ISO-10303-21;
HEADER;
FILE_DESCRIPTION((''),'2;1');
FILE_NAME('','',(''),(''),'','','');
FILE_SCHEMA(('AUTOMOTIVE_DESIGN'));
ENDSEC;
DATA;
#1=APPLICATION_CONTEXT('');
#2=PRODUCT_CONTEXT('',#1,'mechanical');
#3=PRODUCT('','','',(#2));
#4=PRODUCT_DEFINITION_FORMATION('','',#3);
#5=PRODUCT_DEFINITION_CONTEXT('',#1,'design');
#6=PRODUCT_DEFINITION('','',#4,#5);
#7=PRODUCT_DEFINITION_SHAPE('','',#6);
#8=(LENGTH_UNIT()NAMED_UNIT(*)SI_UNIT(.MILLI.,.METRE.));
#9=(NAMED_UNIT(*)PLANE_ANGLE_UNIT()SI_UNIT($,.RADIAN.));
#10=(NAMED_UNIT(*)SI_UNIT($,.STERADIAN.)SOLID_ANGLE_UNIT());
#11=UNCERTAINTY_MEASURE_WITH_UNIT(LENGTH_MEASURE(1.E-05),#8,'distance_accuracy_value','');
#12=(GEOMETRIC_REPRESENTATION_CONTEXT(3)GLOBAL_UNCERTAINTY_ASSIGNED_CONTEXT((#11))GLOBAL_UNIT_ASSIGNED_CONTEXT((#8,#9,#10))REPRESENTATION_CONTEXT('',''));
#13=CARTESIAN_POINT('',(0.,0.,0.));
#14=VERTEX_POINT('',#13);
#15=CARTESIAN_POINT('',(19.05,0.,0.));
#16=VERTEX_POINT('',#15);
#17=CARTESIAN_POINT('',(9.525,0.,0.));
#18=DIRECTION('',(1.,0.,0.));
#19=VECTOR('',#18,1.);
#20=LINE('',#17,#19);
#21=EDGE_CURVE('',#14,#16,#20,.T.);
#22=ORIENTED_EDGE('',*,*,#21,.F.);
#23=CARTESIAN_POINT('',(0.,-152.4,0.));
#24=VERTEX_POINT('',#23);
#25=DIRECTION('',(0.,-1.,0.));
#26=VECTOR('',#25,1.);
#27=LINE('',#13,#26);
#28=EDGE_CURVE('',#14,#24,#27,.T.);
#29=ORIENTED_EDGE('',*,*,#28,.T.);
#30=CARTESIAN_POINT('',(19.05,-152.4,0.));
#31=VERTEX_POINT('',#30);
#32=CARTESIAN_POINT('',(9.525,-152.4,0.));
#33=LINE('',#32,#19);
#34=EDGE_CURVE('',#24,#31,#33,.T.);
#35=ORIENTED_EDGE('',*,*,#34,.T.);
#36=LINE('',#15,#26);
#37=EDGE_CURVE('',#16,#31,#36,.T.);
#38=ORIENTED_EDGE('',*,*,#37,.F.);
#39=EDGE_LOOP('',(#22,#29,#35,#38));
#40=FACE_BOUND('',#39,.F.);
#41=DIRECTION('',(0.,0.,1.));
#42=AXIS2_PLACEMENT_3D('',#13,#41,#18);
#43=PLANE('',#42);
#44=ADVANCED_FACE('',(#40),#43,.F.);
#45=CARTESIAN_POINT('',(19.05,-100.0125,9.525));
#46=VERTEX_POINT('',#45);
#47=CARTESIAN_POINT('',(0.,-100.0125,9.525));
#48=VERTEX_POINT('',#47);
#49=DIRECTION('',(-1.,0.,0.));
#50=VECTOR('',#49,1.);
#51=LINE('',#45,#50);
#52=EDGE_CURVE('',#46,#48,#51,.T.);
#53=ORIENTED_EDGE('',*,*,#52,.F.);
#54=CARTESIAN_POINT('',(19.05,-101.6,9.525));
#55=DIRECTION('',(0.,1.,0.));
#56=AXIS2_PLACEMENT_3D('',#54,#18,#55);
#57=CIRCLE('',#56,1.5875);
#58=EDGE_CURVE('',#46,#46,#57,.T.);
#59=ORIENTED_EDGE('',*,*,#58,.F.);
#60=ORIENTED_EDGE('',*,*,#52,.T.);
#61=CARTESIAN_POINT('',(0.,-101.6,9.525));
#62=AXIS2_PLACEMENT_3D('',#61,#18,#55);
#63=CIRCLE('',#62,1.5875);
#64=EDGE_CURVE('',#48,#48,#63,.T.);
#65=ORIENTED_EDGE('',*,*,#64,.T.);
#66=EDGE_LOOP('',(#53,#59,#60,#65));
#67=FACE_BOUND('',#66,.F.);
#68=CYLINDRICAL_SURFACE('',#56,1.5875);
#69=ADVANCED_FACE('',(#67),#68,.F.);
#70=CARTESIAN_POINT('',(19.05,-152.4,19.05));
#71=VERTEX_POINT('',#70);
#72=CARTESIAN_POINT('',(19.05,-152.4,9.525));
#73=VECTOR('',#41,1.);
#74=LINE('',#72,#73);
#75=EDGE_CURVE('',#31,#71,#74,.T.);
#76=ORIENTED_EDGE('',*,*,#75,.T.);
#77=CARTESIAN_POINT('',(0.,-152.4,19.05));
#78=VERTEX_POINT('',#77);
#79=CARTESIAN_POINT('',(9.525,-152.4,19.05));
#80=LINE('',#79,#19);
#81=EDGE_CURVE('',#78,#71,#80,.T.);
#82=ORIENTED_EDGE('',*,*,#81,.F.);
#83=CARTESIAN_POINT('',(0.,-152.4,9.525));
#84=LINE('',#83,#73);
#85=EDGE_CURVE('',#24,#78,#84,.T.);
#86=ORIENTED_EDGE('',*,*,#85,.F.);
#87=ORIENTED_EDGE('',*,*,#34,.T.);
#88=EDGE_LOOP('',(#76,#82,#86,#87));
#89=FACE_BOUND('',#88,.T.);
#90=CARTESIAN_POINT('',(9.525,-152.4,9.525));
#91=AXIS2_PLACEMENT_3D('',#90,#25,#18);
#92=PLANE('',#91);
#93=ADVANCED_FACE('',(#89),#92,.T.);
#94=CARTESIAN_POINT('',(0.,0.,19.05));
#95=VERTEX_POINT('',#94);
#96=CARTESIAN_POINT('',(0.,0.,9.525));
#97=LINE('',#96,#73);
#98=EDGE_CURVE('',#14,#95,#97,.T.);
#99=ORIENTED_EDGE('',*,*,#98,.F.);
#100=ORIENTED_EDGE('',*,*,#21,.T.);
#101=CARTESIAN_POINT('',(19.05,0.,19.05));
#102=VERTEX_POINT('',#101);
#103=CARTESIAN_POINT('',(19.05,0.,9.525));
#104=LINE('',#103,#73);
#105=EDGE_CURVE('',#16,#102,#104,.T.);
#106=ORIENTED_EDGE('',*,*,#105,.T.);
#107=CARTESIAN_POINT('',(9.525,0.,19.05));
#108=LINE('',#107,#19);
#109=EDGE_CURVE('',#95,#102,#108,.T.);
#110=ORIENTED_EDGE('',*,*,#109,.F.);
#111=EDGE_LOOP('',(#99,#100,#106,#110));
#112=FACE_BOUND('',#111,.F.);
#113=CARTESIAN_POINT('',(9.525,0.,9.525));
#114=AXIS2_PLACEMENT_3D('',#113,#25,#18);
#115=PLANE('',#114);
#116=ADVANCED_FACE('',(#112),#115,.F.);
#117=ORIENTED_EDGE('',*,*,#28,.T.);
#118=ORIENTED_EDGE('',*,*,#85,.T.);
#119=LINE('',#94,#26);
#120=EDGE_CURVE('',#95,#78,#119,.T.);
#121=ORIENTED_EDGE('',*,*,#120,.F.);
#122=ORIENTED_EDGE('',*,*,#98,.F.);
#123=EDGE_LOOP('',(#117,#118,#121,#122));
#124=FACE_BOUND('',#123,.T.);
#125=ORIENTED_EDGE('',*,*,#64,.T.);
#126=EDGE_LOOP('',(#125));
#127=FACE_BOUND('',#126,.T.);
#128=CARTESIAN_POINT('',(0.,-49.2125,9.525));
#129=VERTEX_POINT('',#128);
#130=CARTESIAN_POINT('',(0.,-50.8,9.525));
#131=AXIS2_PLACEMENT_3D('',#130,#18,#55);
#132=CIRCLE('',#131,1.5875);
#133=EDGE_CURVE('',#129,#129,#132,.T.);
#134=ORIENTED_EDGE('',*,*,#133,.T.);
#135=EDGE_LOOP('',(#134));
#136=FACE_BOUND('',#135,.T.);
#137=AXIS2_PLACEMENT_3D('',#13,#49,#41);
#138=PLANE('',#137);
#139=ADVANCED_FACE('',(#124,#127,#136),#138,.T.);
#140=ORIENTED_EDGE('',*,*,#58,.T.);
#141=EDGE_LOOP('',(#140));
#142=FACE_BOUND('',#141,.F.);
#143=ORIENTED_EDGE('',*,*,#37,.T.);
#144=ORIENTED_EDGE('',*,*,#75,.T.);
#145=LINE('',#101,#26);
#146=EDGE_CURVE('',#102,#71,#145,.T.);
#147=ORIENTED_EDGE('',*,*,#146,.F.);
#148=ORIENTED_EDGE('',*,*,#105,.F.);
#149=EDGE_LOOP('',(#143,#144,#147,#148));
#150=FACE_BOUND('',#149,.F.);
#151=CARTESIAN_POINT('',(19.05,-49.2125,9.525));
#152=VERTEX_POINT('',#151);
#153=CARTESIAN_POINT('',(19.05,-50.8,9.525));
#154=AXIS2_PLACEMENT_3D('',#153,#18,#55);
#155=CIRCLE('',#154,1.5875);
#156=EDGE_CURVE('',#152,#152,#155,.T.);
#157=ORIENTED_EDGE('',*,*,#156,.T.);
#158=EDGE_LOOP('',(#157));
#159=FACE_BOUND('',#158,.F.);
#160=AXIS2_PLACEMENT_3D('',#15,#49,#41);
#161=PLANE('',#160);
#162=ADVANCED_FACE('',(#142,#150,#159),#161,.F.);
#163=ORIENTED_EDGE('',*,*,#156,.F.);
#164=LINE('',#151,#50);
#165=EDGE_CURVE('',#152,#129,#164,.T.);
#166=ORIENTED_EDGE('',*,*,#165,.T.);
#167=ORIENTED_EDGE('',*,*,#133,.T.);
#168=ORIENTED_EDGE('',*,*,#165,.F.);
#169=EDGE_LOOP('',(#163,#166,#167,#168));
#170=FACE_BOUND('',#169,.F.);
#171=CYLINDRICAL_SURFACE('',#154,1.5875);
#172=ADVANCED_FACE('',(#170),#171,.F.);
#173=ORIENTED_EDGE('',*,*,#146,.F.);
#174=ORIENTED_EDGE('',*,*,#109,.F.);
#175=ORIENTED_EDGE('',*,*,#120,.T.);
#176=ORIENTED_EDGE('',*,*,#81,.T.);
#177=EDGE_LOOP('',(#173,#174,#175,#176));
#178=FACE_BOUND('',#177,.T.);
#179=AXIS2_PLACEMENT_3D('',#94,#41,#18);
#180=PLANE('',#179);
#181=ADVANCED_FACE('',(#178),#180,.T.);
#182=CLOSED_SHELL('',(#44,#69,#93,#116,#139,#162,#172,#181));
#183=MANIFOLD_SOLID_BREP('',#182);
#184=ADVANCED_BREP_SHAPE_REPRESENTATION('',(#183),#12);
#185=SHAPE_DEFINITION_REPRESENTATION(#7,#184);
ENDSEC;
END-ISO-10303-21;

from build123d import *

# Parameters (mm, degrees)
F0_W     = 19.05
F0_H     = 19.05
F1_DEPTH = 152.4
F2_R     = 1.5875
F3_DEPTH = 25.4


with BuildPart() as f1:
    # F0 (on Front) → F1 (new body)
    with BuildSketch(Plane.XZ):
        with Locations((9.525, 9.525)):
            Rectangle(F0_W, F0_H)
    extrude(amount=F1_DEPTH)

    # F2 (on face) → F3 (cut)
    with BuildSketch(Plane.YZ.offset(19.05)):
        with Locations((-101.6, 9.525)):
            Circle(F2_R)
        with Locations((-50.8, 9.525)):
            Circle(F2_R)
    extrude(amount=-F3_DEPTH, mode=Mode.SUBTRACT)


solid = f1.part
